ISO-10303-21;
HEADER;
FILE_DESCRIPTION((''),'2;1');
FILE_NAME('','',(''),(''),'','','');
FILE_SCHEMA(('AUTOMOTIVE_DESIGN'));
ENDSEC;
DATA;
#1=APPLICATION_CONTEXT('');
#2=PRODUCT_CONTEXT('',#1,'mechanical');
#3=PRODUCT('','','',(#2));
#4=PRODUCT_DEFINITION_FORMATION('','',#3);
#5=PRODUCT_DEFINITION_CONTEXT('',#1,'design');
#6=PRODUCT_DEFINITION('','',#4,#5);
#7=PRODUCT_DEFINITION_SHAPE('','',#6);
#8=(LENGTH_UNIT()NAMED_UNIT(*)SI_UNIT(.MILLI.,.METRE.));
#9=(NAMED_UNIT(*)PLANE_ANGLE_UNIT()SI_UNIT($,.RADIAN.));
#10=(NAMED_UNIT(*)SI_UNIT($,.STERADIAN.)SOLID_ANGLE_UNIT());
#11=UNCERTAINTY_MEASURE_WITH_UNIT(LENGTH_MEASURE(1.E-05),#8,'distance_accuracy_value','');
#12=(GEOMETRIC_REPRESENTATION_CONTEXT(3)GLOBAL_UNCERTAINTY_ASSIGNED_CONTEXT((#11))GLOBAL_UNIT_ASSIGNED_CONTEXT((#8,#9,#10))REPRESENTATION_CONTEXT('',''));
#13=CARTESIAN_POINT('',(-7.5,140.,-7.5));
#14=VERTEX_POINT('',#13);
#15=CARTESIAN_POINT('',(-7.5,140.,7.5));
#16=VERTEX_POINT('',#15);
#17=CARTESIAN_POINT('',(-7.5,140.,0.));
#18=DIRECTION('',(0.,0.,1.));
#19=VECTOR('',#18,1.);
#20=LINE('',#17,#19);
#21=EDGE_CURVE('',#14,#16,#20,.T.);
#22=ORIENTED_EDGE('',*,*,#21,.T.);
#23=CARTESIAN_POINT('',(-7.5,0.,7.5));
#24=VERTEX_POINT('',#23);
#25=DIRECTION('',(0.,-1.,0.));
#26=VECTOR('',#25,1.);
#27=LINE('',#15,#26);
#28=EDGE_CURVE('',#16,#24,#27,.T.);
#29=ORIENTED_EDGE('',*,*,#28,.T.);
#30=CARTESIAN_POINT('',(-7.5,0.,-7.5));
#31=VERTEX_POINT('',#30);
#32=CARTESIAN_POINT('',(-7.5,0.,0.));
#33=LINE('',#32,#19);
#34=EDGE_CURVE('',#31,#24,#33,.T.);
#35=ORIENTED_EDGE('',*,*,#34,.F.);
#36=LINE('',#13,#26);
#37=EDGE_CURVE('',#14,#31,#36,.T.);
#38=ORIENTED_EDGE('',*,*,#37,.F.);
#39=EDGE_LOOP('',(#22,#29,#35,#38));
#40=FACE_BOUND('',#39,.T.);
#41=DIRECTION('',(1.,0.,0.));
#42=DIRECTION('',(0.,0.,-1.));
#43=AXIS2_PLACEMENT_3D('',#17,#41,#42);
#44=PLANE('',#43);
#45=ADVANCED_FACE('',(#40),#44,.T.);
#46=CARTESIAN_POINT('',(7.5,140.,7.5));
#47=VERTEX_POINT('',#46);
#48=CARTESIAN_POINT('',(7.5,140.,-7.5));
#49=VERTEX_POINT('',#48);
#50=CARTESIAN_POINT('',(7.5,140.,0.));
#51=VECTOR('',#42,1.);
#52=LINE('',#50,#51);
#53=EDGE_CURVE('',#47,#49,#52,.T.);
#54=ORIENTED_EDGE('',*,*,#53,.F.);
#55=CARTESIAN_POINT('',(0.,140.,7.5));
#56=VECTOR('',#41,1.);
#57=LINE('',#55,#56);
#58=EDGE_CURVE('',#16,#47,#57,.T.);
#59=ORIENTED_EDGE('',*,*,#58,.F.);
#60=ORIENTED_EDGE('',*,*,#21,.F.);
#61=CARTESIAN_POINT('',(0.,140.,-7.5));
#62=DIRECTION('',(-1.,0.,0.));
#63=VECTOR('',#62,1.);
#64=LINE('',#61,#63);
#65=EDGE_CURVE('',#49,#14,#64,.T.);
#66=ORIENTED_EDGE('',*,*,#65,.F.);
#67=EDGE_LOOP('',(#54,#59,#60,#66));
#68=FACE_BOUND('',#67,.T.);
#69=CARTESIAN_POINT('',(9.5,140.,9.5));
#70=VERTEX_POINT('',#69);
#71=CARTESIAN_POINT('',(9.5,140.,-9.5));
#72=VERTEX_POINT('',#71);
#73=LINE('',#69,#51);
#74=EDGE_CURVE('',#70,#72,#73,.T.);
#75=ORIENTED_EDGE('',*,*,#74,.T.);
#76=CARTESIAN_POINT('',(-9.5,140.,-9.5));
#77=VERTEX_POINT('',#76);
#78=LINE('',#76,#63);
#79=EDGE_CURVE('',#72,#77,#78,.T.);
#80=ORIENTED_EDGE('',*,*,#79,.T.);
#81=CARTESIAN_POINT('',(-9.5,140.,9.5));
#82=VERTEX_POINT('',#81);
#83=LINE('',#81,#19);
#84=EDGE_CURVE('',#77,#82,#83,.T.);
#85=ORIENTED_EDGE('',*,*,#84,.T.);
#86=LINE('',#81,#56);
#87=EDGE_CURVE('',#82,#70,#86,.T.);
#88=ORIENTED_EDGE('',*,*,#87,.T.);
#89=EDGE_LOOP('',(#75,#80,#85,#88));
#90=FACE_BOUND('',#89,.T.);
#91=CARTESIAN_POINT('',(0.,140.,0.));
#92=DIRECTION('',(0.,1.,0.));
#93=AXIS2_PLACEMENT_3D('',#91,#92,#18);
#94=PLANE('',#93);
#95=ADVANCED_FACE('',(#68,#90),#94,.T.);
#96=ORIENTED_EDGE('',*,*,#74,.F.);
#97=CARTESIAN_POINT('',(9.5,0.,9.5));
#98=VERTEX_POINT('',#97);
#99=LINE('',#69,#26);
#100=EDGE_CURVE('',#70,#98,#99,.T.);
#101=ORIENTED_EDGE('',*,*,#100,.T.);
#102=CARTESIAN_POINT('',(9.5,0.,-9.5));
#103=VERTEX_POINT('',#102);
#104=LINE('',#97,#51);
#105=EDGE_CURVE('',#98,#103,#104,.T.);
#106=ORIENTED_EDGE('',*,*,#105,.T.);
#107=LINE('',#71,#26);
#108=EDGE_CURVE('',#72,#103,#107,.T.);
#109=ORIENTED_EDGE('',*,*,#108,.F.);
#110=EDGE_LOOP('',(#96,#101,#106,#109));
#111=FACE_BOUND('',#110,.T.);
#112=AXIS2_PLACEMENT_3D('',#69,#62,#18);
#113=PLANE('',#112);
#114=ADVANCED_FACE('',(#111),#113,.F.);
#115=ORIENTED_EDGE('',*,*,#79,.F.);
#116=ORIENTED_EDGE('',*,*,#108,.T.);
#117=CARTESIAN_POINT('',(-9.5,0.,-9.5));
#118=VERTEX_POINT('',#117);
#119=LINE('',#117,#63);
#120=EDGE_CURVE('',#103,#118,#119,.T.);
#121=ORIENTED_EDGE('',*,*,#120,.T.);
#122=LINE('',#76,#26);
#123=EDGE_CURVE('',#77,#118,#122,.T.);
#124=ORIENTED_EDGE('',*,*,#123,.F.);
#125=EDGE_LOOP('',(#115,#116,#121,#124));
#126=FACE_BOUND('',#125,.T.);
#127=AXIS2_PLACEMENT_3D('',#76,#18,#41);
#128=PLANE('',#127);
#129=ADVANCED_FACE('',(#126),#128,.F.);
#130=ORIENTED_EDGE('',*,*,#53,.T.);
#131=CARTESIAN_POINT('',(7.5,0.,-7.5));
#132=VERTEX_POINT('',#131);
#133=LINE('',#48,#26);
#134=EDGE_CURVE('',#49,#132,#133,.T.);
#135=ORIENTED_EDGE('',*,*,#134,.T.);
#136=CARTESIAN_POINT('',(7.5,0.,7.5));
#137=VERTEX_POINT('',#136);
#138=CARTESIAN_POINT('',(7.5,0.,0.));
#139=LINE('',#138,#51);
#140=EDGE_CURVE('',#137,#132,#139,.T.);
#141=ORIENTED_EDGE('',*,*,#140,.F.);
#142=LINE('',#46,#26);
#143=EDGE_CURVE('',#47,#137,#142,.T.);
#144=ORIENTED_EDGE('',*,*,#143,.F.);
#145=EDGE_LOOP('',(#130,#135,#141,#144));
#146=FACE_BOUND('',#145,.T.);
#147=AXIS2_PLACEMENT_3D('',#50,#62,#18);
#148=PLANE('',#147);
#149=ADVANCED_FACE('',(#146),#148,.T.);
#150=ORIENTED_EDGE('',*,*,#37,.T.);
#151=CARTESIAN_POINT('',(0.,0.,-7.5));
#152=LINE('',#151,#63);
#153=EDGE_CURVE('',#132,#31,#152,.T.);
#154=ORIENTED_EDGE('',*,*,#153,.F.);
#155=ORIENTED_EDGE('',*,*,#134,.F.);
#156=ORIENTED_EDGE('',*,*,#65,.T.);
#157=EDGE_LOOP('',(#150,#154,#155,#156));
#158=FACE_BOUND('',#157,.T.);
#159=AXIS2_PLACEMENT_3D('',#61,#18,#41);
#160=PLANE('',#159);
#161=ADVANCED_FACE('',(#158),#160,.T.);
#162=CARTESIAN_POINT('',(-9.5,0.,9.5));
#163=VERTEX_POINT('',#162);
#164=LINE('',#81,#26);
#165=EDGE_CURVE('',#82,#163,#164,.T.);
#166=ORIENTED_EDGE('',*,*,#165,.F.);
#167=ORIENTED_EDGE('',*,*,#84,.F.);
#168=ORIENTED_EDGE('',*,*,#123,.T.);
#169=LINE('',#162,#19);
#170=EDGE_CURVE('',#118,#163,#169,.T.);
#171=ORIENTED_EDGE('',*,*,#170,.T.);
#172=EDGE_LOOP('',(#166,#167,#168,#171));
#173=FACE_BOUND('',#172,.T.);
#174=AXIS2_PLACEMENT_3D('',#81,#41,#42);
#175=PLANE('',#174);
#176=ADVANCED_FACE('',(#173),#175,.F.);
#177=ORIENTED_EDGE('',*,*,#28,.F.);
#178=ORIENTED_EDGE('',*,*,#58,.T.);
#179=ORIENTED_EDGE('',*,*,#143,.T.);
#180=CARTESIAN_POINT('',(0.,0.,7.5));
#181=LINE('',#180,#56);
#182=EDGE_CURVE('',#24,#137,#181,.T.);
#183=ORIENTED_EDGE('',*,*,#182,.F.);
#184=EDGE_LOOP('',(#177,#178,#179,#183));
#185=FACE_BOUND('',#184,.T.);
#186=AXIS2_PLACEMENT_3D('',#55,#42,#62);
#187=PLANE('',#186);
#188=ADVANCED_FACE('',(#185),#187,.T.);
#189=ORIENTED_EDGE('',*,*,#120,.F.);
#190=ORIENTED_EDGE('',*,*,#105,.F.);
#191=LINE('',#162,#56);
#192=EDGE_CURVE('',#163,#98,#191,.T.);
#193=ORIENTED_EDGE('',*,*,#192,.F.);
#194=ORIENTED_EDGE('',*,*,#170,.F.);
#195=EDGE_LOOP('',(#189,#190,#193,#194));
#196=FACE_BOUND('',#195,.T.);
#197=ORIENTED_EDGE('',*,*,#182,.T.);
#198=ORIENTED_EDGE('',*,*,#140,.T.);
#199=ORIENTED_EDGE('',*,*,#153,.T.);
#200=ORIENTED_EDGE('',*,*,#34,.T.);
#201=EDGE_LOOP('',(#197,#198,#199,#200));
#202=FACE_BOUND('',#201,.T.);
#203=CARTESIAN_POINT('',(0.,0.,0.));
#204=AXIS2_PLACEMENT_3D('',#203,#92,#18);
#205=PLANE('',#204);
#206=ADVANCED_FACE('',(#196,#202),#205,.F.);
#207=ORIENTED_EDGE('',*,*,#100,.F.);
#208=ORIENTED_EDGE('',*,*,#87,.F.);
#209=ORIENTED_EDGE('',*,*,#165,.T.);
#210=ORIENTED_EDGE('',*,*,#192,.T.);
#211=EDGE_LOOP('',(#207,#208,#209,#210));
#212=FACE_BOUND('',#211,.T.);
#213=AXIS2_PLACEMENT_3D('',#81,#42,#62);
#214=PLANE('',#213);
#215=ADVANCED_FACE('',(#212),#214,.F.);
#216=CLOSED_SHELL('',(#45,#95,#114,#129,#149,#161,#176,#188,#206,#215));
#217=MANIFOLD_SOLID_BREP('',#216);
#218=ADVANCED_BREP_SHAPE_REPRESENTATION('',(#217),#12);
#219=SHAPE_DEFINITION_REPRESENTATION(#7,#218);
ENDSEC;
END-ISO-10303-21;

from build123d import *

# Parameters (mm, degrees)
SKETCH1_W           = 19
SKETCH1_H           = 19
SKETCH1_W_2         = 15
SKETCH1_H_2         = 15
EXTRUDE_THIN1_DEPTH = 140


with BuildPart() as part:
    # Sketch1 → Extrude-Thin1 (new body)
    with BuildSketch(Plane(origin=(0, 0, 0), x_dir=(1, 0, 0), z_dir=(0, 1, 0))):
        Rectangle(SKETCH1_W, SKETCH1_H)
        Rectangle(SKETCH1_W_2, SKETCH1_H_2, mode=Mode.SUBTRACT)
    extrude(amount=EXTRUDE_THIN1_DEPTH)


solid = part.part
